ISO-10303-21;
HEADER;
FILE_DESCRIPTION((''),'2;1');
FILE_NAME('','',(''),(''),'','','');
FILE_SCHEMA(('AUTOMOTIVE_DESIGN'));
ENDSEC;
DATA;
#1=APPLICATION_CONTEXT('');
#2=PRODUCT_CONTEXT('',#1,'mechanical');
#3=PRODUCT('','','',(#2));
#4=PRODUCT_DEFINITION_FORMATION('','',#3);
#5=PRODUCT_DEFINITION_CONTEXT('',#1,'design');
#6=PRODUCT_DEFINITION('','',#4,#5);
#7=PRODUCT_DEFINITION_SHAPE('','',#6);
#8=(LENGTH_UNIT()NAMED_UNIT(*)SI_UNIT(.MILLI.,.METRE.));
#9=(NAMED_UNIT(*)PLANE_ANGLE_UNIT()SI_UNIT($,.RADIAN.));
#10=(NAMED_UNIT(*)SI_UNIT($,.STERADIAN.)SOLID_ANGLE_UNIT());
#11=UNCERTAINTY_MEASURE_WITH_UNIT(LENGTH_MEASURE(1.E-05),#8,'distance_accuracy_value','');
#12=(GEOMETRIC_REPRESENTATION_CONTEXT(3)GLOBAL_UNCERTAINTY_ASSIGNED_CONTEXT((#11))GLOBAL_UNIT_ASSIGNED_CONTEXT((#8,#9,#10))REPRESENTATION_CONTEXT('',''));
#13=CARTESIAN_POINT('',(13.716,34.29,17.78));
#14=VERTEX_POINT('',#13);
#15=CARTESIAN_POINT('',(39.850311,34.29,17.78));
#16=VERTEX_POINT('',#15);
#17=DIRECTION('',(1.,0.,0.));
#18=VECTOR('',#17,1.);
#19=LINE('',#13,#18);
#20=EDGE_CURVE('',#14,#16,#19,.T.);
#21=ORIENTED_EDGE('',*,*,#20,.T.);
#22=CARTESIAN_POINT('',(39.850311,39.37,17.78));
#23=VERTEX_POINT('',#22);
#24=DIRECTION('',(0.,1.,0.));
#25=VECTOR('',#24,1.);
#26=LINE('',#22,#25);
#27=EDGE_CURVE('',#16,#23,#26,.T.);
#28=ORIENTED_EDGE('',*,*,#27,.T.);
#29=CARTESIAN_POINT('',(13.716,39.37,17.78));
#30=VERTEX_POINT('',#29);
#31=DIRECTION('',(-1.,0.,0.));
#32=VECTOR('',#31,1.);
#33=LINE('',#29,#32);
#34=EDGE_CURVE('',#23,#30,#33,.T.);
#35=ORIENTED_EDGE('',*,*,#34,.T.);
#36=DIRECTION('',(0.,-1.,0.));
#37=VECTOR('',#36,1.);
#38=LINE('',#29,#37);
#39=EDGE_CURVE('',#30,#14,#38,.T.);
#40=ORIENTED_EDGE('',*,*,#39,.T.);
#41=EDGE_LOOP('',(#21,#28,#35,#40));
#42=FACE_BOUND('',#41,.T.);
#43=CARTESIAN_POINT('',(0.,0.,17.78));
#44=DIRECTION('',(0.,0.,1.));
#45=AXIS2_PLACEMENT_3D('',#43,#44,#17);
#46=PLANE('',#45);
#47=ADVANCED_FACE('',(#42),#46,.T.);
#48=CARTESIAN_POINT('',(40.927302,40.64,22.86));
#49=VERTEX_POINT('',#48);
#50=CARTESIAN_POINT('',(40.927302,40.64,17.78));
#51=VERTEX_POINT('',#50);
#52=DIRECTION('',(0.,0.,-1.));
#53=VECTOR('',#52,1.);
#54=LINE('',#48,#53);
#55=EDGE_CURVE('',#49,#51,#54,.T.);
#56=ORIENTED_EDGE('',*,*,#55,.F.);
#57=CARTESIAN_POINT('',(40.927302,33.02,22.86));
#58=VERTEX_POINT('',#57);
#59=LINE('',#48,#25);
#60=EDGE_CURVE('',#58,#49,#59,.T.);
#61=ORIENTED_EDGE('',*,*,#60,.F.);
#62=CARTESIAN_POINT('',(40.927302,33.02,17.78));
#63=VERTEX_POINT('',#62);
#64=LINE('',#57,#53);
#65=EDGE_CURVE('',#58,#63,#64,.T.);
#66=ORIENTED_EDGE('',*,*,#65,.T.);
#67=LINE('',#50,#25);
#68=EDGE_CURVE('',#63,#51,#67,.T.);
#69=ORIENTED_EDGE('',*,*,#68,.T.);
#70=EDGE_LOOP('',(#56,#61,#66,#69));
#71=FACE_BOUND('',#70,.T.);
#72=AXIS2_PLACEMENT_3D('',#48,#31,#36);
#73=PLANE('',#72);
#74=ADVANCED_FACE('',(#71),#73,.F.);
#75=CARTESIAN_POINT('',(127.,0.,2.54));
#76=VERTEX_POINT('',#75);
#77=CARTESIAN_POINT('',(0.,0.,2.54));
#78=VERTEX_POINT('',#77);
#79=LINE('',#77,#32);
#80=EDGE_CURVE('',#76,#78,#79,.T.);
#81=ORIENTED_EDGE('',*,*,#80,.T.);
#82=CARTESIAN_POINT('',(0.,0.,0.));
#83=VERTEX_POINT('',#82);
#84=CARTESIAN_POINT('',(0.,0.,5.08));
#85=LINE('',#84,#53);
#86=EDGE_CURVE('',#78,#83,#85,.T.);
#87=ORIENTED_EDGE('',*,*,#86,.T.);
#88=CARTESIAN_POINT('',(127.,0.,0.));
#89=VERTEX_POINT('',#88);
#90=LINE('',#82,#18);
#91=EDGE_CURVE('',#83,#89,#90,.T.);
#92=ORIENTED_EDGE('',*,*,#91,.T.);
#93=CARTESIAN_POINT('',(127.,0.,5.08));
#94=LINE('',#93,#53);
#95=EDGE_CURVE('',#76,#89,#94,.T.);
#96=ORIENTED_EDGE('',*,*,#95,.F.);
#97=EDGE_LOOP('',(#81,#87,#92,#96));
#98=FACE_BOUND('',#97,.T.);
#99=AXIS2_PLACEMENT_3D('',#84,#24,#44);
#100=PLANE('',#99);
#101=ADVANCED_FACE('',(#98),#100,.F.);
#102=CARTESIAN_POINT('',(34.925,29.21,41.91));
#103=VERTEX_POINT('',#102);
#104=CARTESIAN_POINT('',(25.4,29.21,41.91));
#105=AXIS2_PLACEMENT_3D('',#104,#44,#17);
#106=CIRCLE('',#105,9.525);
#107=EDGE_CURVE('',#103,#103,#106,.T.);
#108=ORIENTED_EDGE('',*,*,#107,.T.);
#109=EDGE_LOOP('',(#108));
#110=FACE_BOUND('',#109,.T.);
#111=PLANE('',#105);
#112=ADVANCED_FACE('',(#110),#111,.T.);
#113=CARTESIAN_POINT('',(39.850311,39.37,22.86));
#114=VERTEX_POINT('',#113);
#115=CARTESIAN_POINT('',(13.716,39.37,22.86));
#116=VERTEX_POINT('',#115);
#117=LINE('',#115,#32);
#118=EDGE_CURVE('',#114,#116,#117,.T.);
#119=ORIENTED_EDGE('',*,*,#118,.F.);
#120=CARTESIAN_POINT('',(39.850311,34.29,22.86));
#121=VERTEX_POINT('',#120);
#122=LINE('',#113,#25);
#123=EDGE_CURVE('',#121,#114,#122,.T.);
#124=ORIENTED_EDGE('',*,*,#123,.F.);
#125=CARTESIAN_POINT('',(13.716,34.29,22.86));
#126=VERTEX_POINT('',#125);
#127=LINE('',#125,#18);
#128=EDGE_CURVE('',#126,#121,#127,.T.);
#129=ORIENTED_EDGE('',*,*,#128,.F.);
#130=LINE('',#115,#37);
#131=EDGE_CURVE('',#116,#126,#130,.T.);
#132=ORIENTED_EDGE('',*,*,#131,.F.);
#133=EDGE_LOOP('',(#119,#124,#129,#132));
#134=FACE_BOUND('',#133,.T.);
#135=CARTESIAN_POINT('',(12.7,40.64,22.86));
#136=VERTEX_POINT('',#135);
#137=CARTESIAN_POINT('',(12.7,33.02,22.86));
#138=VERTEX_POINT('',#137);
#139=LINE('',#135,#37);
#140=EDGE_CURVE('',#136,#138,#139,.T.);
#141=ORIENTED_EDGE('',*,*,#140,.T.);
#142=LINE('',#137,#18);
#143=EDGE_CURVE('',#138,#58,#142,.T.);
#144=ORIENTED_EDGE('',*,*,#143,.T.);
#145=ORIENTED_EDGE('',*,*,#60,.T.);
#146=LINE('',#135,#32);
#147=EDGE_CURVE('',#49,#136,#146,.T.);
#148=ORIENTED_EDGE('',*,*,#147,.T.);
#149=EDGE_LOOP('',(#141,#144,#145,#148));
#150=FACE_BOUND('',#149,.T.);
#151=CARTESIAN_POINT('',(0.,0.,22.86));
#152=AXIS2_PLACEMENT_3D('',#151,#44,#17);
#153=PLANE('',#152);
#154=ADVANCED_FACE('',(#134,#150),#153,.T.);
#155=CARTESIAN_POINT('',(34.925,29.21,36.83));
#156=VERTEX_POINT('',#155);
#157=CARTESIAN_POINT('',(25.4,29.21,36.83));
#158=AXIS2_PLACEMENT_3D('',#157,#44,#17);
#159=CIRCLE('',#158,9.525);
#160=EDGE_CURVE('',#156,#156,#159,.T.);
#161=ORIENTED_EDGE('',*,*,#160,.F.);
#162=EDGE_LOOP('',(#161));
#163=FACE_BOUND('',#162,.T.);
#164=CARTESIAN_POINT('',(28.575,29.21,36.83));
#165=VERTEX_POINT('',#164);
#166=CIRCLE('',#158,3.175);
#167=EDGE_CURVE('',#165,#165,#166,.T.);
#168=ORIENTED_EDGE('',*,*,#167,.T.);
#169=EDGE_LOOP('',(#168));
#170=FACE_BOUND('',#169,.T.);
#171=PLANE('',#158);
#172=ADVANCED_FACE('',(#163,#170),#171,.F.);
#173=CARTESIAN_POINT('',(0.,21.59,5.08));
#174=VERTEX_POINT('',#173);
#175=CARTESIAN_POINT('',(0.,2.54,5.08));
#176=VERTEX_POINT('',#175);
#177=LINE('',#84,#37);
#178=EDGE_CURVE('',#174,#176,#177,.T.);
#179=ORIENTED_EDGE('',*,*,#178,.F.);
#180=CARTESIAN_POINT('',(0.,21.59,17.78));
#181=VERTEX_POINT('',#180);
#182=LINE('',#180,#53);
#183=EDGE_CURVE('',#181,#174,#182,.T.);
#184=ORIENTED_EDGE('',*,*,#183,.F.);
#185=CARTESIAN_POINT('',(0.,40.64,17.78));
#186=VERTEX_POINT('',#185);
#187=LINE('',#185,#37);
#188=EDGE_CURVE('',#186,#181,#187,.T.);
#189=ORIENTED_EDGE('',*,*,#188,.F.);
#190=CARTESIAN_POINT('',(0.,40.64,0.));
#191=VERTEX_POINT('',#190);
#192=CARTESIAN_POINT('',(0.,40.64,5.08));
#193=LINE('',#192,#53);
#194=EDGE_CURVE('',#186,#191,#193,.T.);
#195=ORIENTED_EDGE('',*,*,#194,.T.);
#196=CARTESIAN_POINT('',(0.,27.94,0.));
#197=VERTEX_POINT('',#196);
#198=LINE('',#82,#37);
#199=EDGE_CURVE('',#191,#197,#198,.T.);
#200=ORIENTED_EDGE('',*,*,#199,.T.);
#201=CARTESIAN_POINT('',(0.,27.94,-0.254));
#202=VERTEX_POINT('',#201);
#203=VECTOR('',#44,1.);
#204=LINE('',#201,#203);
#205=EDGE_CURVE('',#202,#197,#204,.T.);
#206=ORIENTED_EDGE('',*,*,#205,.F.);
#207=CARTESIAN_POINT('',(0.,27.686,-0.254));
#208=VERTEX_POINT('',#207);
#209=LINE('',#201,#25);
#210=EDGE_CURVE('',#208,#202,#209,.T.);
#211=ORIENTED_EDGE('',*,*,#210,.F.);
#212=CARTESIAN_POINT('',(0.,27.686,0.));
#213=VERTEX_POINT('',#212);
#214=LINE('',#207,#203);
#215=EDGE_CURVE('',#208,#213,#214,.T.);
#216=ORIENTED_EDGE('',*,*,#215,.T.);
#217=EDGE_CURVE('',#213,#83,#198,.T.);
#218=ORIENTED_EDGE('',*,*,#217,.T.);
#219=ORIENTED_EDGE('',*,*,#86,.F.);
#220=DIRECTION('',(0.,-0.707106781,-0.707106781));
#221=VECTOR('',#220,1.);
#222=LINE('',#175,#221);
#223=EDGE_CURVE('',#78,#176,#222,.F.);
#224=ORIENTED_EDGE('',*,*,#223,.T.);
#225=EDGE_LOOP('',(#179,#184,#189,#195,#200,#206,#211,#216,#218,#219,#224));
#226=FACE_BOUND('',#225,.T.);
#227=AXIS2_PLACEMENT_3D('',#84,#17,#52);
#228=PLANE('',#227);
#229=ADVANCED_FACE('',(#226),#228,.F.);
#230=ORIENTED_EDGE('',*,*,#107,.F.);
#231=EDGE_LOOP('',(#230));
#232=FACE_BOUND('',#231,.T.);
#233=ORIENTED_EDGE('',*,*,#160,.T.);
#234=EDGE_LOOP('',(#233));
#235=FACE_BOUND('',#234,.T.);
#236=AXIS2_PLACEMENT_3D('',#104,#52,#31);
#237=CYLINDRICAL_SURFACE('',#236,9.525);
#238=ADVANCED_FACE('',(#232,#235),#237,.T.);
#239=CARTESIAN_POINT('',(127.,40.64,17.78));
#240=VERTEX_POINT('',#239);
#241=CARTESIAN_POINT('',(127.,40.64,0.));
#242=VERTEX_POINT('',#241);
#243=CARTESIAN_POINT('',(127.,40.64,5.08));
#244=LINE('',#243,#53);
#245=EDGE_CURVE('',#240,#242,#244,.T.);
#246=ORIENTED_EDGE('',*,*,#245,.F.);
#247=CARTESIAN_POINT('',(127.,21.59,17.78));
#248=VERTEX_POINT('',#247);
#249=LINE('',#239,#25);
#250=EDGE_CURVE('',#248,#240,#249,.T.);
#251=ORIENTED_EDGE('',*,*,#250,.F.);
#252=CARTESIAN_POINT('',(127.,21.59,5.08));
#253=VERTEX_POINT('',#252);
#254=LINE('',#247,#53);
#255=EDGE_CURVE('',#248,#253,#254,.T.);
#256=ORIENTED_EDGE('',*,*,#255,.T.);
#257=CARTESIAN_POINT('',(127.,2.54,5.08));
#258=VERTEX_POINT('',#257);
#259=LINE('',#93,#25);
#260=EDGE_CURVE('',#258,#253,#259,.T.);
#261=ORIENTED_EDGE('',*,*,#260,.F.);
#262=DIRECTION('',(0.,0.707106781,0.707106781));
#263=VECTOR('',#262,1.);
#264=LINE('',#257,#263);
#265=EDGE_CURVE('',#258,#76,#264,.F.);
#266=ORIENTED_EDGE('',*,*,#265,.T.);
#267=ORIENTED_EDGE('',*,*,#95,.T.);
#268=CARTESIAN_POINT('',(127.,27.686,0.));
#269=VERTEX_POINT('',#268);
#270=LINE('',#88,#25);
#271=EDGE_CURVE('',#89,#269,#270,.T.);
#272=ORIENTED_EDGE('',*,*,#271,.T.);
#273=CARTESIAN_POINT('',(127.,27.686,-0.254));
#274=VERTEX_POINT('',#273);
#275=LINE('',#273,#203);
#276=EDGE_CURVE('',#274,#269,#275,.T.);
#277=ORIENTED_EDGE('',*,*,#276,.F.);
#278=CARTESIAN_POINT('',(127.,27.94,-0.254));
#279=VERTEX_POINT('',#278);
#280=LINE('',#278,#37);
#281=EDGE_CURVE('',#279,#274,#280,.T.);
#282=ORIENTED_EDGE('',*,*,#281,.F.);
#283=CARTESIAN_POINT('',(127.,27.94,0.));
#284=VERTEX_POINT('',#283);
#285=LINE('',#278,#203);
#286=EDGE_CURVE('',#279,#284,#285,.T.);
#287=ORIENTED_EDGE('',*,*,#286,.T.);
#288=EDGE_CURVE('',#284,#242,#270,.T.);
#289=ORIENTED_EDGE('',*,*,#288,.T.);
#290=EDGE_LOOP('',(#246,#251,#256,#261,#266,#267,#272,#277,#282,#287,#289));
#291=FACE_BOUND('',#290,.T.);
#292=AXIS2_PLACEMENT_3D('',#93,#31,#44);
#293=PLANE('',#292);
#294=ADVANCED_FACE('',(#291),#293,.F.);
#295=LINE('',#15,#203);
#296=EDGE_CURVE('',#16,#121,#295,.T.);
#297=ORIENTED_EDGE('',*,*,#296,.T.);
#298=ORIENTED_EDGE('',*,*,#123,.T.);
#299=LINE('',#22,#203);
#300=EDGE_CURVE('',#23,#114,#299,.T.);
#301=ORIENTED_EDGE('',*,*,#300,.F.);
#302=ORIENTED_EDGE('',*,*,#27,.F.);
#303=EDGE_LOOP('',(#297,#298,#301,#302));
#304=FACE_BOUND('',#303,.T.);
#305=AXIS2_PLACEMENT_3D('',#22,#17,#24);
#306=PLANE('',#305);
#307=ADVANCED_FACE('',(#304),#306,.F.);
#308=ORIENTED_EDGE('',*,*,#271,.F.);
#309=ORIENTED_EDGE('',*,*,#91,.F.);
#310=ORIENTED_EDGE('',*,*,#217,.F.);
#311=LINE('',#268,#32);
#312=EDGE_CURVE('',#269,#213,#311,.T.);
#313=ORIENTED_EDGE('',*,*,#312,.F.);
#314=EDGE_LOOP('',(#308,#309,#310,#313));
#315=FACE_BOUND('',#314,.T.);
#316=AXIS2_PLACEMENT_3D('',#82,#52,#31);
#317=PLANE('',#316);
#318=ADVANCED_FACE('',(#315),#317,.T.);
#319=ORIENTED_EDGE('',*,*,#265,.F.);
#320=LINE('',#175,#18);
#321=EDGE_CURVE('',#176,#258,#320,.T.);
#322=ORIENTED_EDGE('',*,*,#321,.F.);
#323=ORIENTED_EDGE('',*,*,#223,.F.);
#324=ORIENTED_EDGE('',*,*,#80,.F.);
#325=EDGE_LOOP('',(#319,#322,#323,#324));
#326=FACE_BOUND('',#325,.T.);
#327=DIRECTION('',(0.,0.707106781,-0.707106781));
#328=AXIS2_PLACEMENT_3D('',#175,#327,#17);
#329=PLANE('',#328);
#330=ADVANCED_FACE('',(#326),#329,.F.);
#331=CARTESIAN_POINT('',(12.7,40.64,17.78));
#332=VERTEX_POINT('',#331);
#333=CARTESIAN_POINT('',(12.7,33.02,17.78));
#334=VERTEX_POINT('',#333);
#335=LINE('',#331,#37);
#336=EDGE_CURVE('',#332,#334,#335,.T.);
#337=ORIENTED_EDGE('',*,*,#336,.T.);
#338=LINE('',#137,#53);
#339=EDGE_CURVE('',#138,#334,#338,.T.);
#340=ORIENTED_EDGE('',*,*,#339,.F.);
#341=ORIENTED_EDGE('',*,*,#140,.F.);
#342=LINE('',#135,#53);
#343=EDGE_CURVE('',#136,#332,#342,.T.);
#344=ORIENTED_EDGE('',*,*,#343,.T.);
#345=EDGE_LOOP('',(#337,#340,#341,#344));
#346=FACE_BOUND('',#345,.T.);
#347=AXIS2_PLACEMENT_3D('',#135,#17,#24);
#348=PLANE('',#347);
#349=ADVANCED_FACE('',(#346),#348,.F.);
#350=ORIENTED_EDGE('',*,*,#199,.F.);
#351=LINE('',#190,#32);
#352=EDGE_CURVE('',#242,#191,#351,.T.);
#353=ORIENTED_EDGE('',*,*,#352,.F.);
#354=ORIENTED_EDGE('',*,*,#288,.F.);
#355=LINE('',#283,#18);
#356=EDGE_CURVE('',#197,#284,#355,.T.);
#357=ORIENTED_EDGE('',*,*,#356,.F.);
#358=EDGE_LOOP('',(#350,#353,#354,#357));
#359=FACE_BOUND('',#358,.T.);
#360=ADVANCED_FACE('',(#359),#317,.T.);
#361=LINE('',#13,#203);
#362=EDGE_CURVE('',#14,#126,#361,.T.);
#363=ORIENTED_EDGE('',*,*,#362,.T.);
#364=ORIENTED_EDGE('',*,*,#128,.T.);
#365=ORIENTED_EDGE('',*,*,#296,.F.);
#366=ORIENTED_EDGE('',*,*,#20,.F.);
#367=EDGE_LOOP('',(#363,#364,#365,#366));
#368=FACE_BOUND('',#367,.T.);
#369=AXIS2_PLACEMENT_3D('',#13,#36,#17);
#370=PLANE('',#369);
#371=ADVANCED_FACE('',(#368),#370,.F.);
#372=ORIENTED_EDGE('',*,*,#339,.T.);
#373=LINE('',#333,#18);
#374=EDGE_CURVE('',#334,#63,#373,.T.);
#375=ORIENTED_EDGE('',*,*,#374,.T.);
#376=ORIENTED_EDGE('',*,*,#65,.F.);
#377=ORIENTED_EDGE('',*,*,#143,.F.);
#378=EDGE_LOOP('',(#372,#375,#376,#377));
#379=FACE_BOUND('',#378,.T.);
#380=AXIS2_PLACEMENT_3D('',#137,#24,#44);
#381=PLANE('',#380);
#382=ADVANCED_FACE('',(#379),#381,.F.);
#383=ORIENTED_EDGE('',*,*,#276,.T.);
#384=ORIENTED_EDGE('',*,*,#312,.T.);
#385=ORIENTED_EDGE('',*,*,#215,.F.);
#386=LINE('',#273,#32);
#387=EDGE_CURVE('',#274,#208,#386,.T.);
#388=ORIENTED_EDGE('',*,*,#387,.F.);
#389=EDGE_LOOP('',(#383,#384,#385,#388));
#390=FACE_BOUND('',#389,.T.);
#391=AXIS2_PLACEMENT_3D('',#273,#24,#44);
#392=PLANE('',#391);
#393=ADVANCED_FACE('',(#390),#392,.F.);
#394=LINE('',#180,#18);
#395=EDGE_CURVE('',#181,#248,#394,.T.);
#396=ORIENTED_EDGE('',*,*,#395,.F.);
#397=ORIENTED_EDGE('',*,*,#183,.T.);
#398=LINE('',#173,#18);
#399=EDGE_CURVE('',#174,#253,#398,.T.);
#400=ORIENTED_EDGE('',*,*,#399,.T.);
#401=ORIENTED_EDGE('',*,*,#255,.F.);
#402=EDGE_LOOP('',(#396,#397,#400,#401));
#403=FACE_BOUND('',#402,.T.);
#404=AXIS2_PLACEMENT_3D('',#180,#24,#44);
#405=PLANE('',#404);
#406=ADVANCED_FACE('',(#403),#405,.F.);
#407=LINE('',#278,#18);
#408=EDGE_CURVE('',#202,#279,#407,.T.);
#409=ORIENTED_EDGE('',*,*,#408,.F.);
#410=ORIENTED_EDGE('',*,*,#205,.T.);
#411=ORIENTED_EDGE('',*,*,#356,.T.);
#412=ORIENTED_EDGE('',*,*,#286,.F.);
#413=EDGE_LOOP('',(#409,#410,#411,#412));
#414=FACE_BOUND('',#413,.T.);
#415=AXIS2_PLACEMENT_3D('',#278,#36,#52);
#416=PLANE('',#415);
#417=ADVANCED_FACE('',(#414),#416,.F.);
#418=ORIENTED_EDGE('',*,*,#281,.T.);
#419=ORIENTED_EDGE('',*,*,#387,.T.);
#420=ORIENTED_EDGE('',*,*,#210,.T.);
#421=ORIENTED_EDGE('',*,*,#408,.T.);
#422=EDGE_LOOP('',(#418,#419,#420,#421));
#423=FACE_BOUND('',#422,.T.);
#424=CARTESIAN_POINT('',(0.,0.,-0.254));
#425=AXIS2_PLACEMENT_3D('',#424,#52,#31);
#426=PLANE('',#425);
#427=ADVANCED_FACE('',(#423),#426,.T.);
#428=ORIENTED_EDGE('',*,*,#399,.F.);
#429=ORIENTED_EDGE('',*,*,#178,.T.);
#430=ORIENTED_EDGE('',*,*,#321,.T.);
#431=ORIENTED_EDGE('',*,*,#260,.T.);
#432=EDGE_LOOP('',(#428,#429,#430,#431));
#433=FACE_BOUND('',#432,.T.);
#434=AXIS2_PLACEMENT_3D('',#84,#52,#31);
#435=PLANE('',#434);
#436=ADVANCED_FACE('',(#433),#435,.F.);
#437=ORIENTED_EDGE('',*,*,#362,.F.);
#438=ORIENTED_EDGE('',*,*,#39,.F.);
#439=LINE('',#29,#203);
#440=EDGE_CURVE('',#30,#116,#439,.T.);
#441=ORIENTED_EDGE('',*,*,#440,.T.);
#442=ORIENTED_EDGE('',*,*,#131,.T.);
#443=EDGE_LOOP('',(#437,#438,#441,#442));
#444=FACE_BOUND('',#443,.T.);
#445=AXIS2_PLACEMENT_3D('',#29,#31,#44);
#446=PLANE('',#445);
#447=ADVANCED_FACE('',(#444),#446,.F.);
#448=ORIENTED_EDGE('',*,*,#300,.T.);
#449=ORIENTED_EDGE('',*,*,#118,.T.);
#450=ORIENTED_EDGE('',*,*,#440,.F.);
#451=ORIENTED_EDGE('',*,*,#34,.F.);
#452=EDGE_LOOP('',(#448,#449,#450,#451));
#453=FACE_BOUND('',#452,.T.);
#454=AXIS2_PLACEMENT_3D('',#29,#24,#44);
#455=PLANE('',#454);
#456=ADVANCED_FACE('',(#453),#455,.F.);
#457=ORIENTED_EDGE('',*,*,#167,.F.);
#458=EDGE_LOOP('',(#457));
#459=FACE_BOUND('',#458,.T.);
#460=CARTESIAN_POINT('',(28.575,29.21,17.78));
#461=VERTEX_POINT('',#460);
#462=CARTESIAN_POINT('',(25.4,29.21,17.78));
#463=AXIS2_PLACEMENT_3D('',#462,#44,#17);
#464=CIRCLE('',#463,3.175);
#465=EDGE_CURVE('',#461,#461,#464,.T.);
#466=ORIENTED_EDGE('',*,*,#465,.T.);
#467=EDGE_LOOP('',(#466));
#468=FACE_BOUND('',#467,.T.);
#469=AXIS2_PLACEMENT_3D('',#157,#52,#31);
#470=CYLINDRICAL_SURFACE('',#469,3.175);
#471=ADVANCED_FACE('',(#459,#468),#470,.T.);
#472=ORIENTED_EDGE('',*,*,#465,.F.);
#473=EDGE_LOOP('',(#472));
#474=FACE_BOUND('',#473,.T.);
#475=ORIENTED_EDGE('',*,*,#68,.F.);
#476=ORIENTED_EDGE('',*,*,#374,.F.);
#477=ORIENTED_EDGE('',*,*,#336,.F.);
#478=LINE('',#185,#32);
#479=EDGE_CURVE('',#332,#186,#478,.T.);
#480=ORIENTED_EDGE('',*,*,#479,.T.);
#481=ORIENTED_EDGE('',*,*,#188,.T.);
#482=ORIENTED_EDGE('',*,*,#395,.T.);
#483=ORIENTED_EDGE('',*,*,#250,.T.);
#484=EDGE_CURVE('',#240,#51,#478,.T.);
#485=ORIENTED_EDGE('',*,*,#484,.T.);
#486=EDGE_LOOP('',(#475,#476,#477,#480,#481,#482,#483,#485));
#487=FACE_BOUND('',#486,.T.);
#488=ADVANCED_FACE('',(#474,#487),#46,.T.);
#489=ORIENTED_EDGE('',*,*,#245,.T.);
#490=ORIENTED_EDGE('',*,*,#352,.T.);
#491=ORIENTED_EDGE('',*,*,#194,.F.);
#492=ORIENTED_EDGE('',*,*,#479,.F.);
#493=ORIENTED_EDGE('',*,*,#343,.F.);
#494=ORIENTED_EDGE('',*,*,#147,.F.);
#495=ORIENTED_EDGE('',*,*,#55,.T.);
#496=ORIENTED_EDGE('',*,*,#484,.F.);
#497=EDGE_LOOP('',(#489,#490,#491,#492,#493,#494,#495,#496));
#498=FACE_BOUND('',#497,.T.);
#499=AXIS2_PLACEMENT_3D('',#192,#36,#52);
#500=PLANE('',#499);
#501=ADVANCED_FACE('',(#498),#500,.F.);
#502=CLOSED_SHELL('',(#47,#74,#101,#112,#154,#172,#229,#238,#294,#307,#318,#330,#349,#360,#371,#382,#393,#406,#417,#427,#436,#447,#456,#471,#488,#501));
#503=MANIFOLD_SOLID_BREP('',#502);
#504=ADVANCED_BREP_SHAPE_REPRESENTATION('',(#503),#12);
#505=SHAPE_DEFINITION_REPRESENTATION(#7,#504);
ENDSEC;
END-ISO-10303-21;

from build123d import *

# Parameters (mm, degrees)
SKETCH1_W            = 127
SKETCH1_H            = 40.64
BOSS_EXTRUDE1_DEPTH  = 5.08
CHAMFER3_SIZE        = 2.54
SKETCH6_W            = 127
SKETCH6_H            = 19.05
BOSS_EXTRUDE4_DEPTH  = 12.7
SKETCH14_R           = 3.175
BOSS_EXTRUDE9_DEPTH  = 19.05
SKETCH15_R           = 9.525
BOSS_EXTRUDE10_DEPTH = 5.08
SKETCH16_W           = 28.22730188
SKETCH16_H           = 7.62
BOSS_EXTRUDE11_DEPTH = 5.08
SKETCH17_W           = 26.13431135
SKETCH17_H           = 5.08
CUT_EXTRUDE4_DEPTH   = 5.08
SKETCH18_W           = 127
SKETCH18_H           = 0.254
BOSS_EXTRUDE12_DEPTH = 0.254


with BuildPart() as part:
    # Sketch1 → Boss-Extrude1 (new body)
    with BuildSketch(Plane.XY):
        with Locations((63.5, 20.32)):
            Rectangle(SKETCH1_W, SKETCH1_H)
    extrude(amount=BOSS_EXTRUDE1_DEPTH)

    # Chamfer3
    chamfer3_edges = [part.edges().sort_by_distance(p)[0] for p in [
        (63.5, 0, 5.08),
    ]]
    chamfer(chamfer3_edges, length=CHAMFER3_SIZE)

    # Sketch6 → Boss-Extrude4 (add)
    with BuildSketch(Plane.XY.offset(5.08)):
        with Locations((63.5, 31.115)):
            Rectangle(SKETCH6_W, SKETCH6_H)
    extrude(amount=BOSS_EXTRUDE4_DEPTH)

    # Sketch14 → Boss-Extrude9 (add)
    with BuildSketch(Plane.XY.offset(17.78)):
        with Locations((25.4, 29.21)):
            Circle(SKETCH14_R)
    extrude(amount=BOSS_EXTRUDE9_DEPTH)

    # Sketch15 → Boss-Extrude10 (add)
    with BuildSketch(Plane.XY.offset(36.83)):
        with Locations((25.4, 29.21)):
            Circle(SKETCH15_R)
    extrude(amount=BOSS_EXTRUDE10_DEPTH)

    # Sketch16 → Boss-Extrude11 (add)
    with BuildSketch(Plane.XY.offset(17.78)):
        with Locations((26.81365094, 36.83)):
            Rectangle(SKETCH16_W, SKETCH16_H)
    extrude(amount=BOSS_EXTRUDE11_DEPTH)

    # Sketch17 → Cut-Extrude4 (cut)
    with BuildSketch(Plane.XY.offset(22.86)):
        with Locations((26.783155675, 36.83)):
            Rectangle(SKETCH17_W, SKETCH17_H)
    extrude(amount=-CUT_EXTRUDE4_DEPTH, mode=Mode.SUBTRACT)

    # Sketch18 → Boss-Extrude12 (add)
    with BuildSketch(Plane(origin=(0, 0, 0), x_dir=(-1, 0, 0), z_dir=(0, 0, -1))):
        with Locations((-63.5, 27.813)):
            Rectangle(SKETCH18_W, SKETCH18_H)
    extrude(amount=BOSS_EXTRUDE12_DEPTH)


solid = part.part
